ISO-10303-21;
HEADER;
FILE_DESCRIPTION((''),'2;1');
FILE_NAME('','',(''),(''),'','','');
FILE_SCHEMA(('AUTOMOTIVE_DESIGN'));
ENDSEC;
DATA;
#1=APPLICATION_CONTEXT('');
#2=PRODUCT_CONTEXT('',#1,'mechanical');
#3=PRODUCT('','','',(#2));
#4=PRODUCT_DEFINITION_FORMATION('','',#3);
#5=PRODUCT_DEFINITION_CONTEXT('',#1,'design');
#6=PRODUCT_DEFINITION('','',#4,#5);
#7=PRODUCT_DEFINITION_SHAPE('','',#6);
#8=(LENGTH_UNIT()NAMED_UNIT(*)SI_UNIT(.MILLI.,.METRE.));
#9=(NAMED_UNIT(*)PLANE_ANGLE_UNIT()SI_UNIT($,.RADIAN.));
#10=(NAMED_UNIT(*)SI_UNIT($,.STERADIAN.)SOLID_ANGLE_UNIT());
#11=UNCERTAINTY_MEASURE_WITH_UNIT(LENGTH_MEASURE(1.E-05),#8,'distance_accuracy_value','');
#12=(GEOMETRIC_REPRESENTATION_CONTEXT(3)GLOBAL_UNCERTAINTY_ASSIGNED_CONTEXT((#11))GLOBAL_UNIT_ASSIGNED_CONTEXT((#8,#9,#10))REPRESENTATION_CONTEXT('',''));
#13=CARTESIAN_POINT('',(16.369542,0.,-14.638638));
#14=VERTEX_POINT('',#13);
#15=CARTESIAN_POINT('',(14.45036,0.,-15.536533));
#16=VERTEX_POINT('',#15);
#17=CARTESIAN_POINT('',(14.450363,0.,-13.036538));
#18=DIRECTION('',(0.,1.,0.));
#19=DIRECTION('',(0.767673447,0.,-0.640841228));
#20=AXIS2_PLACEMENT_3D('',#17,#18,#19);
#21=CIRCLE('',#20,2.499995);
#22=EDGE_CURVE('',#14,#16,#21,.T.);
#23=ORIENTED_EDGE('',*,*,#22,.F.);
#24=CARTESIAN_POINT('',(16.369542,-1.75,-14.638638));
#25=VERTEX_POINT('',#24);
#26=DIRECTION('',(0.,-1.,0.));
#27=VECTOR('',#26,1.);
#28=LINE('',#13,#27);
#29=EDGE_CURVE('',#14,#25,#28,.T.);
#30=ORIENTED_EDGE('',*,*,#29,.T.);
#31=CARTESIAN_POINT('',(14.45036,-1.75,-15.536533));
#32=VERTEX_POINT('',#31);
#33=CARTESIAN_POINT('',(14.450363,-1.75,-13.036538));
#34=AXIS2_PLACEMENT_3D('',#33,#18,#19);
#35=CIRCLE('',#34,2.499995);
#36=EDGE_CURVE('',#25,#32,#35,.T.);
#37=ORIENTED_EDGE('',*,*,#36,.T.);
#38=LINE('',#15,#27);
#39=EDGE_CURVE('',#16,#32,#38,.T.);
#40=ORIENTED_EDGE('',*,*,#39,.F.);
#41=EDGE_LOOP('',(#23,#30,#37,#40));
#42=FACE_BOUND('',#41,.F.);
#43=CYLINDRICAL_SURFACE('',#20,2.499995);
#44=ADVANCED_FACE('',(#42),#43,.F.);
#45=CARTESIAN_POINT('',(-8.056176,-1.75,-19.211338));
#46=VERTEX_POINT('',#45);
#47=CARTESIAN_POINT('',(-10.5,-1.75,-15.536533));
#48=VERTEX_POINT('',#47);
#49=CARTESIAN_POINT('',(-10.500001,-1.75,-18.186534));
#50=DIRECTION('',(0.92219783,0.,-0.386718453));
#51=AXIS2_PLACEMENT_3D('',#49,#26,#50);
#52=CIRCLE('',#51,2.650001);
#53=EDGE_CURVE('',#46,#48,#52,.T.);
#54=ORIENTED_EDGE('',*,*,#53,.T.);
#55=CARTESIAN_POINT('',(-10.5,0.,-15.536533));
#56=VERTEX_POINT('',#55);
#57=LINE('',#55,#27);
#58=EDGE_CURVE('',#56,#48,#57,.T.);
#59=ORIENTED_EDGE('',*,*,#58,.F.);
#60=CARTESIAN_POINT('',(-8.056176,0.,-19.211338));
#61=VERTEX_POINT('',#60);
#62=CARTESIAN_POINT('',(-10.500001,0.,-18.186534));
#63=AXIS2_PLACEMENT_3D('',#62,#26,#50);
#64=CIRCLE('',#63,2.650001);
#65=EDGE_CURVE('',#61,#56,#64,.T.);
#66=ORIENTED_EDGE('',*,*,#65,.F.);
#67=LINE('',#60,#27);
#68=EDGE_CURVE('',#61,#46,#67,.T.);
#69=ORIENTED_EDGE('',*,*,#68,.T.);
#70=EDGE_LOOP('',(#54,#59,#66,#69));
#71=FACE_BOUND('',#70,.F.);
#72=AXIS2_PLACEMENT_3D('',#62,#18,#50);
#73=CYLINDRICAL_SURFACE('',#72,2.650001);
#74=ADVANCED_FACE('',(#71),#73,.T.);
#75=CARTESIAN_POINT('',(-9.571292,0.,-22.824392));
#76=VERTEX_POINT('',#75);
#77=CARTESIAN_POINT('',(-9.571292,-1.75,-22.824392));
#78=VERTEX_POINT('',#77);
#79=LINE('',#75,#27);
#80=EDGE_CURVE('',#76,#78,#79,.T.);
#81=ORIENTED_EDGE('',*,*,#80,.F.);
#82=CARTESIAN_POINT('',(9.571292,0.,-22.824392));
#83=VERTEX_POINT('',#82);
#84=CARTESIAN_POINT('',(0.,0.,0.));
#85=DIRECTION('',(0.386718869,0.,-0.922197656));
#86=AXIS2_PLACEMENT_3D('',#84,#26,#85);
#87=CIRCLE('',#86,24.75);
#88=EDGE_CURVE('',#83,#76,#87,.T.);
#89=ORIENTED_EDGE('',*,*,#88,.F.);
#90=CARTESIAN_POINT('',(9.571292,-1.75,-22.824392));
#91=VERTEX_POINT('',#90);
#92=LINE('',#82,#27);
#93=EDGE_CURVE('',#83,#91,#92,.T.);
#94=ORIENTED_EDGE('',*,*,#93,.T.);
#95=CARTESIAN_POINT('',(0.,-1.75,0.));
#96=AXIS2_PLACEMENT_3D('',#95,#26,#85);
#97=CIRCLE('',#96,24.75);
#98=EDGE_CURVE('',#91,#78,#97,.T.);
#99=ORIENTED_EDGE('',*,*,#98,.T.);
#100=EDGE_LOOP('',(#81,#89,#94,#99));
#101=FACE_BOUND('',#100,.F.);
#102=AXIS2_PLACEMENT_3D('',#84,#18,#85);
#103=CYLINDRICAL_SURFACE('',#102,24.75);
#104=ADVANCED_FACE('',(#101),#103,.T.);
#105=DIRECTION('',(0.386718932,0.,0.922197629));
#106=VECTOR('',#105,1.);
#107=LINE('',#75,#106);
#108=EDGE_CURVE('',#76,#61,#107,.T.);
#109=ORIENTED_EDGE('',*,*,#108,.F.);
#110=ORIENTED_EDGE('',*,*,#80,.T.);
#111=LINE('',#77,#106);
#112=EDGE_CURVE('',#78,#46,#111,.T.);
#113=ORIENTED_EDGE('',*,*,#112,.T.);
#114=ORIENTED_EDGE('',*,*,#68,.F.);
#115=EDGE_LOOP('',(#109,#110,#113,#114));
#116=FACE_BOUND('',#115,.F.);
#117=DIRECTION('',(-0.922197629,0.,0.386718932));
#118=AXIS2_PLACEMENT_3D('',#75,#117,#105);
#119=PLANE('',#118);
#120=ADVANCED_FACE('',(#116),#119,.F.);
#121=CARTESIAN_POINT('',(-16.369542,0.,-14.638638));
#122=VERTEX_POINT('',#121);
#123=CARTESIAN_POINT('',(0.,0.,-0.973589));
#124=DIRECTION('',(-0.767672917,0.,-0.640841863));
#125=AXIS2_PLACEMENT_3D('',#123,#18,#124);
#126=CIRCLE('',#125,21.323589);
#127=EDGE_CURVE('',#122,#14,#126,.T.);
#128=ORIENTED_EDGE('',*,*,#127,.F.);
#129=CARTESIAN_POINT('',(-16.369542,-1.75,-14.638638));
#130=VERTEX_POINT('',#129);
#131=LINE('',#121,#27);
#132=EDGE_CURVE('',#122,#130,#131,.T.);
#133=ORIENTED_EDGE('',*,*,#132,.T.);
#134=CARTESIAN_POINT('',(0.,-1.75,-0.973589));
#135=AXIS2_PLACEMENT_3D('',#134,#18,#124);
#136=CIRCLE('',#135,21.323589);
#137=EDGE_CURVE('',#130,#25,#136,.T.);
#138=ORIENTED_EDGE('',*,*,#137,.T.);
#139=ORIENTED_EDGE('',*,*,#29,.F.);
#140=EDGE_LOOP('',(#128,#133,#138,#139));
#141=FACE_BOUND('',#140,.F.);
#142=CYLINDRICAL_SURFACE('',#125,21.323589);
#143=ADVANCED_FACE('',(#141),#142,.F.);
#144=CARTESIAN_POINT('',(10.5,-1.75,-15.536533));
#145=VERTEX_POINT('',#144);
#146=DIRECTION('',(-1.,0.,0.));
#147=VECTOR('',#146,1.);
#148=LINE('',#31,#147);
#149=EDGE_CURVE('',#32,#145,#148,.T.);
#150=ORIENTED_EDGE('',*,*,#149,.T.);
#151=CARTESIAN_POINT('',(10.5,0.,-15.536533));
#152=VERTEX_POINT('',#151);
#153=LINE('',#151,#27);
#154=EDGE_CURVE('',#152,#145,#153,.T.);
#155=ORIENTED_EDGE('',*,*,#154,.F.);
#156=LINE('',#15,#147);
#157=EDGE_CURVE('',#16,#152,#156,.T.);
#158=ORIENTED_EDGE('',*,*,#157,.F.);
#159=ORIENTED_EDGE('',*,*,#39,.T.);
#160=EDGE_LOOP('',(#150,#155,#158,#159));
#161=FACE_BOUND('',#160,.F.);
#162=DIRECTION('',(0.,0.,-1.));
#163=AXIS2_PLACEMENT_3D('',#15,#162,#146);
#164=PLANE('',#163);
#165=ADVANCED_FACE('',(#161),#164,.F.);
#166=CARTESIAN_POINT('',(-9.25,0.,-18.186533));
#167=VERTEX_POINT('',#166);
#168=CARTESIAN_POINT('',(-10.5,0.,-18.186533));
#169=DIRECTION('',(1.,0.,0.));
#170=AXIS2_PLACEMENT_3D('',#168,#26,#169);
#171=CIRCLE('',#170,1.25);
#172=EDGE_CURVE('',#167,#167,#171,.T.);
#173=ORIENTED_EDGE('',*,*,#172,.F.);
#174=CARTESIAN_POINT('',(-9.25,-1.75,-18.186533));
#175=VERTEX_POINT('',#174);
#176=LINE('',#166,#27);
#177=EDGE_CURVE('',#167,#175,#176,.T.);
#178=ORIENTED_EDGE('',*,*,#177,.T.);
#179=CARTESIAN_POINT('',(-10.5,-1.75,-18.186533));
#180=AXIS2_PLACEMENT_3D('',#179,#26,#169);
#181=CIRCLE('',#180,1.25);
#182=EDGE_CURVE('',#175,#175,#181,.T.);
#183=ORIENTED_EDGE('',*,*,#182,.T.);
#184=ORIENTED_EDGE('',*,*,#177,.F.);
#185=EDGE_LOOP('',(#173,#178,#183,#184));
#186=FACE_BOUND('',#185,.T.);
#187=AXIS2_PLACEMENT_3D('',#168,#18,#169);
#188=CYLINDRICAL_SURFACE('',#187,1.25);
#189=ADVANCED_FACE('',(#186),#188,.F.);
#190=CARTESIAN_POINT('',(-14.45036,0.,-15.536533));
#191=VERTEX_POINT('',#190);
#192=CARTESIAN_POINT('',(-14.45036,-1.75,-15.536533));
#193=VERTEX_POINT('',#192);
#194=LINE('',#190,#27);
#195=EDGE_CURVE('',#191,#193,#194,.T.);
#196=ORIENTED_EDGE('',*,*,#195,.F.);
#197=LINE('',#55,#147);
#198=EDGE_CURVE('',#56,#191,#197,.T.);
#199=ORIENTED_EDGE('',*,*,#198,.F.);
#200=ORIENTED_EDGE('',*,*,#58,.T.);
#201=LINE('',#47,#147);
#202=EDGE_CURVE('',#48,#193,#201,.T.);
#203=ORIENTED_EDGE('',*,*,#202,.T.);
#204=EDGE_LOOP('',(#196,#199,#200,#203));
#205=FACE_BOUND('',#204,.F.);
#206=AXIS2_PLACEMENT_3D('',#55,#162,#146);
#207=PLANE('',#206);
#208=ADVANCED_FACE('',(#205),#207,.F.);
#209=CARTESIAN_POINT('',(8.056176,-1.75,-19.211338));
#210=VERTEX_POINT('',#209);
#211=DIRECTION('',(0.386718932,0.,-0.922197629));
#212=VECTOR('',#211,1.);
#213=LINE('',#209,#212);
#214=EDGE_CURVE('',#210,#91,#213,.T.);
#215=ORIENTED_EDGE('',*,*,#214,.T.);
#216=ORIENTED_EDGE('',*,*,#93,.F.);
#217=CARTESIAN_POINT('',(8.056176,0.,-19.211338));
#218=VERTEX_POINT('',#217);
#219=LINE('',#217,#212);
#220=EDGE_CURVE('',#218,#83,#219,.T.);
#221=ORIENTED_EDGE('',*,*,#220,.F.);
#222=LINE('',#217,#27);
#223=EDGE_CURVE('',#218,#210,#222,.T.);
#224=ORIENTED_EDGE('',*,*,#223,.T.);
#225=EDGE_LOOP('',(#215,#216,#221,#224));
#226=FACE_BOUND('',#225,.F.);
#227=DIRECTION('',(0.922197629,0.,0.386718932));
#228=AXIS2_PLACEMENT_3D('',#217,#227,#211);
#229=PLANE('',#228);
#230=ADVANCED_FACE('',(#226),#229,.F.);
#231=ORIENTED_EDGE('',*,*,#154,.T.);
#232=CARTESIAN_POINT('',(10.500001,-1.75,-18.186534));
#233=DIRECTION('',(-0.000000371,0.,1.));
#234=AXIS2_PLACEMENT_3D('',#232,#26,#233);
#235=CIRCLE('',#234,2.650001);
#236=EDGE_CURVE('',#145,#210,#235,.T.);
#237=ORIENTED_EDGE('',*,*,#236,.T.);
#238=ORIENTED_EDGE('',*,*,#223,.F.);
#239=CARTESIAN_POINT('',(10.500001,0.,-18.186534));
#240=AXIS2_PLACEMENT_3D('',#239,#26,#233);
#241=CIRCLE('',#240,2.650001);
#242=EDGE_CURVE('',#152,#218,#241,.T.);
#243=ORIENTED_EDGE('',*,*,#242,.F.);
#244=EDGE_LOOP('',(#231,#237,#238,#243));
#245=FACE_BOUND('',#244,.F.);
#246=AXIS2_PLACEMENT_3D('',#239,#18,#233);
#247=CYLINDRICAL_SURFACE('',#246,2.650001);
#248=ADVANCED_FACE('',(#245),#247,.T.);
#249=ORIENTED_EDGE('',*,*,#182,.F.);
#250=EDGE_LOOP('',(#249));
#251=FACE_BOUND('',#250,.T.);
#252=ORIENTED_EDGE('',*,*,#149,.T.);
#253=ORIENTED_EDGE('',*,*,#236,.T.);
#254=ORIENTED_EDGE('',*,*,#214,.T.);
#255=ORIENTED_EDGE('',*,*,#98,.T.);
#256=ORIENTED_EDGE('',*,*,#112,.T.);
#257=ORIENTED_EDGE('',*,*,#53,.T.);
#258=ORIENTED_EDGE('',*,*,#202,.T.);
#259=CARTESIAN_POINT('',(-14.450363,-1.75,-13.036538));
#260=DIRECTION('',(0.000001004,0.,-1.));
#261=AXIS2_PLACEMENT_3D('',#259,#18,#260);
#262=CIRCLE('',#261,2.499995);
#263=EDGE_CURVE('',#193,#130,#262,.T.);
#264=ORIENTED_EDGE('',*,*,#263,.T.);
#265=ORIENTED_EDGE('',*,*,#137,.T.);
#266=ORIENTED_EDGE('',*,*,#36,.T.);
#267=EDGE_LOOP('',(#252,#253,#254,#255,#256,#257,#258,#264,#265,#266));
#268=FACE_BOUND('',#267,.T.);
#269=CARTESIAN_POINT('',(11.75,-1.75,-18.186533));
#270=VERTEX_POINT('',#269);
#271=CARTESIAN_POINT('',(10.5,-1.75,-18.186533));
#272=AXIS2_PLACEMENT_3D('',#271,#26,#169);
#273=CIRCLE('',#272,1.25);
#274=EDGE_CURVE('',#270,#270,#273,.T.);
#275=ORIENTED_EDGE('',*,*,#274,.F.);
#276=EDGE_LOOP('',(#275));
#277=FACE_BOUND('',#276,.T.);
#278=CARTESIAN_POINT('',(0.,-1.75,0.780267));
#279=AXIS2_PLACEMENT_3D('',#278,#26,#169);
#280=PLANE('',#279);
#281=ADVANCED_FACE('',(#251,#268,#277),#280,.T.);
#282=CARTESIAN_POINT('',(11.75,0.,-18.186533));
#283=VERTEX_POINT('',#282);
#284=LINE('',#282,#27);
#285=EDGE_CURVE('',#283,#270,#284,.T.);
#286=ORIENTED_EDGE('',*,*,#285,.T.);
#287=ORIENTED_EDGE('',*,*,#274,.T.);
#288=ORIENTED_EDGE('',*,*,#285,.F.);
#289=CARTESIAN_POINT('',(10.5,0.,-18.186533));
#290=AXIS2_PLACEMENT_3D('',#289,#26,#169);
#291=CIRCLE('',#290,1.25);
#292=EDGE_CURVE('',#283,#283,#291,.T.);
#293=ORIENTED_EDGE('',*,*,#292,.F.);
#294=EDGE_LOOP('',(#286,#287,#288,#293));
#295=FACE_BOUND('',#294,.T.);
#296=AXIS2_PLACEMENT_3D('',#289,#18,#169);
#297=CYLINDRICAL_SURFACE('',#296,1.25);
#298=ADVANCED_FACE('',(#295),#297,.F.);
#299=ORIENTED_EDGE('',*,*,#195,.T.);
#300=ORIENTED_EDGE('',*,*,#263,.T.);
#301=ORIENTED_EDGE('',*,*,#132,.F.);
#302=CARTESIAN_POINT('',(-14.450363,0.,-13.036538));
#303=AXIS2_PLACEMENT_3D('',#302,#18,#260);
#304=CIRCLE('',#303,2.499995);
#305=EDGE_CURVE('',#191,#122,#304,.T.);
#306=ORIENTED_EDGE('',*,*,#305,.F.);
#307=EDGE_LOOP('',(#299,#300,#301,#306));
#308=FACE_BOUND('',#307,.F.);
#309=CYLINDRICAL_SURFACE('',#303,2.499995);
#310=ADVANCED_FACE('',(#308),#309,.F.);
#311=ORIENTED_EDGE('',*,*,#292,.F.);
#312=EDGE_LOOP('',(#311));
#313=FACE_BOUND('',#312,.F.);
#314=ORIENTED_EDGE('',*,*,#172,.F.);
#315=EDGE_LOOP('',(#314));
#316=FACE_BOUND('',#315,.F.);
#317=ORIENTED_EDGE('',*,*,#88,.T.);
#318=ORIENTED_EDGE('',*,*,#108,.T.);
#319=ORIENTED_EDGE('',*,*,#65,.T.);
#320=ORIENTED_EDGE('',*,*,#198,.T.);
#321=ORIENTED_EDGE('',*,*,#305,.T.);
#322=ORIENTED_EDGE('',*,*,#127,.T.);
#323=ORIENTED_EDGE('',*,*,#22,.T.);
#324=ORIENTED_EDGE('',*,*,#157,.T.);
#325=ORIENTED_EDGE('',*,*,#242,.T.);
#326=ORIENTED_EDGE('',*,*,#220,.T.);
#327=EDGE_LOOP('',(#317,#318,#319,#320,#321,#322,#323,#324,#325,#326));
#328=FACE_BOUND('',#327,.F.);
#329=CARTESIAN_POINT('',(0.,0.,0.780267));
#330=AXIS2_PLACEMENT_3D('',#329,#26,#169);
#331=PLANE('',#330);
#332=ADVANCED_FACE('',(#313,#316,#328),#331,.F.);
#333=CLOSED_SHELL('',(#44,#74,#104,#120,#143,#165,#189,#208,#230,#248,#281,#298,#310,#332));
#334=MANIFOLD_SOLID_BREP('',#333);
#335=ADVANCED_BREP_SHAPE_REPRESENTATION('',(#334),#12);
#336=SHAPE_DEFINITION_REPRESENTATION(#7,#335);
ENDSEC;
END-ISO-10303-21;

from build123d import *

# Parameters (mm, degrees)
F0_R     = 1.25
F1_DEPTH = 1.75


with BuildPart() as f1:
    # F0 (on Front) → F1 (new body)
    with BuildSketch(Plane.XZ):
        with BuildLine():
            Line((8.056176, -19.211338), (9.571292, -22.824392))
            ThreePointArc((9.571292, -22.824392), (0, 24.75), (-9.571292, -22.824392))
            Line((-9.571292, -22.824392), (-8.056176, -19.211338))
            ThreePointArc((-8.056176, -19.211338), (-8.293393, -16.719092), (-10.5, -15.536533))
            Line((-10.5, -15.536533), (-14.45036, -15.536533))
            ThreePointArc((-14.45036, -15.536533), (-15.509779, -15.300961), (-16.369542, -14.638638))
            ThreePointArc((-16.369542, -14.638638), (0, 20.35), (16.369542, -14.638638))
            ThreePointArc((16.369542, -14.638638), (15.509779, -15.300961), (14.45036, -15.536533))
            Line((14.45036, -15.536533), (10.5, -15.536533))
            ThreePointArc((10.5, -15.536533), (8.293393, -16.719092), (8.056176, -19.211338))
        make_face()
        with Locations((-10.5, -18.186533)):
            Circle(F0_R, mode=Mode.SUBTRACT)
        with Locations((10.5, -18.186533)):
            Circle(F0_R, mode=Mode.SUBTRACT)
    extrude(amount=F1_DEPTH)


solid = f1.part
